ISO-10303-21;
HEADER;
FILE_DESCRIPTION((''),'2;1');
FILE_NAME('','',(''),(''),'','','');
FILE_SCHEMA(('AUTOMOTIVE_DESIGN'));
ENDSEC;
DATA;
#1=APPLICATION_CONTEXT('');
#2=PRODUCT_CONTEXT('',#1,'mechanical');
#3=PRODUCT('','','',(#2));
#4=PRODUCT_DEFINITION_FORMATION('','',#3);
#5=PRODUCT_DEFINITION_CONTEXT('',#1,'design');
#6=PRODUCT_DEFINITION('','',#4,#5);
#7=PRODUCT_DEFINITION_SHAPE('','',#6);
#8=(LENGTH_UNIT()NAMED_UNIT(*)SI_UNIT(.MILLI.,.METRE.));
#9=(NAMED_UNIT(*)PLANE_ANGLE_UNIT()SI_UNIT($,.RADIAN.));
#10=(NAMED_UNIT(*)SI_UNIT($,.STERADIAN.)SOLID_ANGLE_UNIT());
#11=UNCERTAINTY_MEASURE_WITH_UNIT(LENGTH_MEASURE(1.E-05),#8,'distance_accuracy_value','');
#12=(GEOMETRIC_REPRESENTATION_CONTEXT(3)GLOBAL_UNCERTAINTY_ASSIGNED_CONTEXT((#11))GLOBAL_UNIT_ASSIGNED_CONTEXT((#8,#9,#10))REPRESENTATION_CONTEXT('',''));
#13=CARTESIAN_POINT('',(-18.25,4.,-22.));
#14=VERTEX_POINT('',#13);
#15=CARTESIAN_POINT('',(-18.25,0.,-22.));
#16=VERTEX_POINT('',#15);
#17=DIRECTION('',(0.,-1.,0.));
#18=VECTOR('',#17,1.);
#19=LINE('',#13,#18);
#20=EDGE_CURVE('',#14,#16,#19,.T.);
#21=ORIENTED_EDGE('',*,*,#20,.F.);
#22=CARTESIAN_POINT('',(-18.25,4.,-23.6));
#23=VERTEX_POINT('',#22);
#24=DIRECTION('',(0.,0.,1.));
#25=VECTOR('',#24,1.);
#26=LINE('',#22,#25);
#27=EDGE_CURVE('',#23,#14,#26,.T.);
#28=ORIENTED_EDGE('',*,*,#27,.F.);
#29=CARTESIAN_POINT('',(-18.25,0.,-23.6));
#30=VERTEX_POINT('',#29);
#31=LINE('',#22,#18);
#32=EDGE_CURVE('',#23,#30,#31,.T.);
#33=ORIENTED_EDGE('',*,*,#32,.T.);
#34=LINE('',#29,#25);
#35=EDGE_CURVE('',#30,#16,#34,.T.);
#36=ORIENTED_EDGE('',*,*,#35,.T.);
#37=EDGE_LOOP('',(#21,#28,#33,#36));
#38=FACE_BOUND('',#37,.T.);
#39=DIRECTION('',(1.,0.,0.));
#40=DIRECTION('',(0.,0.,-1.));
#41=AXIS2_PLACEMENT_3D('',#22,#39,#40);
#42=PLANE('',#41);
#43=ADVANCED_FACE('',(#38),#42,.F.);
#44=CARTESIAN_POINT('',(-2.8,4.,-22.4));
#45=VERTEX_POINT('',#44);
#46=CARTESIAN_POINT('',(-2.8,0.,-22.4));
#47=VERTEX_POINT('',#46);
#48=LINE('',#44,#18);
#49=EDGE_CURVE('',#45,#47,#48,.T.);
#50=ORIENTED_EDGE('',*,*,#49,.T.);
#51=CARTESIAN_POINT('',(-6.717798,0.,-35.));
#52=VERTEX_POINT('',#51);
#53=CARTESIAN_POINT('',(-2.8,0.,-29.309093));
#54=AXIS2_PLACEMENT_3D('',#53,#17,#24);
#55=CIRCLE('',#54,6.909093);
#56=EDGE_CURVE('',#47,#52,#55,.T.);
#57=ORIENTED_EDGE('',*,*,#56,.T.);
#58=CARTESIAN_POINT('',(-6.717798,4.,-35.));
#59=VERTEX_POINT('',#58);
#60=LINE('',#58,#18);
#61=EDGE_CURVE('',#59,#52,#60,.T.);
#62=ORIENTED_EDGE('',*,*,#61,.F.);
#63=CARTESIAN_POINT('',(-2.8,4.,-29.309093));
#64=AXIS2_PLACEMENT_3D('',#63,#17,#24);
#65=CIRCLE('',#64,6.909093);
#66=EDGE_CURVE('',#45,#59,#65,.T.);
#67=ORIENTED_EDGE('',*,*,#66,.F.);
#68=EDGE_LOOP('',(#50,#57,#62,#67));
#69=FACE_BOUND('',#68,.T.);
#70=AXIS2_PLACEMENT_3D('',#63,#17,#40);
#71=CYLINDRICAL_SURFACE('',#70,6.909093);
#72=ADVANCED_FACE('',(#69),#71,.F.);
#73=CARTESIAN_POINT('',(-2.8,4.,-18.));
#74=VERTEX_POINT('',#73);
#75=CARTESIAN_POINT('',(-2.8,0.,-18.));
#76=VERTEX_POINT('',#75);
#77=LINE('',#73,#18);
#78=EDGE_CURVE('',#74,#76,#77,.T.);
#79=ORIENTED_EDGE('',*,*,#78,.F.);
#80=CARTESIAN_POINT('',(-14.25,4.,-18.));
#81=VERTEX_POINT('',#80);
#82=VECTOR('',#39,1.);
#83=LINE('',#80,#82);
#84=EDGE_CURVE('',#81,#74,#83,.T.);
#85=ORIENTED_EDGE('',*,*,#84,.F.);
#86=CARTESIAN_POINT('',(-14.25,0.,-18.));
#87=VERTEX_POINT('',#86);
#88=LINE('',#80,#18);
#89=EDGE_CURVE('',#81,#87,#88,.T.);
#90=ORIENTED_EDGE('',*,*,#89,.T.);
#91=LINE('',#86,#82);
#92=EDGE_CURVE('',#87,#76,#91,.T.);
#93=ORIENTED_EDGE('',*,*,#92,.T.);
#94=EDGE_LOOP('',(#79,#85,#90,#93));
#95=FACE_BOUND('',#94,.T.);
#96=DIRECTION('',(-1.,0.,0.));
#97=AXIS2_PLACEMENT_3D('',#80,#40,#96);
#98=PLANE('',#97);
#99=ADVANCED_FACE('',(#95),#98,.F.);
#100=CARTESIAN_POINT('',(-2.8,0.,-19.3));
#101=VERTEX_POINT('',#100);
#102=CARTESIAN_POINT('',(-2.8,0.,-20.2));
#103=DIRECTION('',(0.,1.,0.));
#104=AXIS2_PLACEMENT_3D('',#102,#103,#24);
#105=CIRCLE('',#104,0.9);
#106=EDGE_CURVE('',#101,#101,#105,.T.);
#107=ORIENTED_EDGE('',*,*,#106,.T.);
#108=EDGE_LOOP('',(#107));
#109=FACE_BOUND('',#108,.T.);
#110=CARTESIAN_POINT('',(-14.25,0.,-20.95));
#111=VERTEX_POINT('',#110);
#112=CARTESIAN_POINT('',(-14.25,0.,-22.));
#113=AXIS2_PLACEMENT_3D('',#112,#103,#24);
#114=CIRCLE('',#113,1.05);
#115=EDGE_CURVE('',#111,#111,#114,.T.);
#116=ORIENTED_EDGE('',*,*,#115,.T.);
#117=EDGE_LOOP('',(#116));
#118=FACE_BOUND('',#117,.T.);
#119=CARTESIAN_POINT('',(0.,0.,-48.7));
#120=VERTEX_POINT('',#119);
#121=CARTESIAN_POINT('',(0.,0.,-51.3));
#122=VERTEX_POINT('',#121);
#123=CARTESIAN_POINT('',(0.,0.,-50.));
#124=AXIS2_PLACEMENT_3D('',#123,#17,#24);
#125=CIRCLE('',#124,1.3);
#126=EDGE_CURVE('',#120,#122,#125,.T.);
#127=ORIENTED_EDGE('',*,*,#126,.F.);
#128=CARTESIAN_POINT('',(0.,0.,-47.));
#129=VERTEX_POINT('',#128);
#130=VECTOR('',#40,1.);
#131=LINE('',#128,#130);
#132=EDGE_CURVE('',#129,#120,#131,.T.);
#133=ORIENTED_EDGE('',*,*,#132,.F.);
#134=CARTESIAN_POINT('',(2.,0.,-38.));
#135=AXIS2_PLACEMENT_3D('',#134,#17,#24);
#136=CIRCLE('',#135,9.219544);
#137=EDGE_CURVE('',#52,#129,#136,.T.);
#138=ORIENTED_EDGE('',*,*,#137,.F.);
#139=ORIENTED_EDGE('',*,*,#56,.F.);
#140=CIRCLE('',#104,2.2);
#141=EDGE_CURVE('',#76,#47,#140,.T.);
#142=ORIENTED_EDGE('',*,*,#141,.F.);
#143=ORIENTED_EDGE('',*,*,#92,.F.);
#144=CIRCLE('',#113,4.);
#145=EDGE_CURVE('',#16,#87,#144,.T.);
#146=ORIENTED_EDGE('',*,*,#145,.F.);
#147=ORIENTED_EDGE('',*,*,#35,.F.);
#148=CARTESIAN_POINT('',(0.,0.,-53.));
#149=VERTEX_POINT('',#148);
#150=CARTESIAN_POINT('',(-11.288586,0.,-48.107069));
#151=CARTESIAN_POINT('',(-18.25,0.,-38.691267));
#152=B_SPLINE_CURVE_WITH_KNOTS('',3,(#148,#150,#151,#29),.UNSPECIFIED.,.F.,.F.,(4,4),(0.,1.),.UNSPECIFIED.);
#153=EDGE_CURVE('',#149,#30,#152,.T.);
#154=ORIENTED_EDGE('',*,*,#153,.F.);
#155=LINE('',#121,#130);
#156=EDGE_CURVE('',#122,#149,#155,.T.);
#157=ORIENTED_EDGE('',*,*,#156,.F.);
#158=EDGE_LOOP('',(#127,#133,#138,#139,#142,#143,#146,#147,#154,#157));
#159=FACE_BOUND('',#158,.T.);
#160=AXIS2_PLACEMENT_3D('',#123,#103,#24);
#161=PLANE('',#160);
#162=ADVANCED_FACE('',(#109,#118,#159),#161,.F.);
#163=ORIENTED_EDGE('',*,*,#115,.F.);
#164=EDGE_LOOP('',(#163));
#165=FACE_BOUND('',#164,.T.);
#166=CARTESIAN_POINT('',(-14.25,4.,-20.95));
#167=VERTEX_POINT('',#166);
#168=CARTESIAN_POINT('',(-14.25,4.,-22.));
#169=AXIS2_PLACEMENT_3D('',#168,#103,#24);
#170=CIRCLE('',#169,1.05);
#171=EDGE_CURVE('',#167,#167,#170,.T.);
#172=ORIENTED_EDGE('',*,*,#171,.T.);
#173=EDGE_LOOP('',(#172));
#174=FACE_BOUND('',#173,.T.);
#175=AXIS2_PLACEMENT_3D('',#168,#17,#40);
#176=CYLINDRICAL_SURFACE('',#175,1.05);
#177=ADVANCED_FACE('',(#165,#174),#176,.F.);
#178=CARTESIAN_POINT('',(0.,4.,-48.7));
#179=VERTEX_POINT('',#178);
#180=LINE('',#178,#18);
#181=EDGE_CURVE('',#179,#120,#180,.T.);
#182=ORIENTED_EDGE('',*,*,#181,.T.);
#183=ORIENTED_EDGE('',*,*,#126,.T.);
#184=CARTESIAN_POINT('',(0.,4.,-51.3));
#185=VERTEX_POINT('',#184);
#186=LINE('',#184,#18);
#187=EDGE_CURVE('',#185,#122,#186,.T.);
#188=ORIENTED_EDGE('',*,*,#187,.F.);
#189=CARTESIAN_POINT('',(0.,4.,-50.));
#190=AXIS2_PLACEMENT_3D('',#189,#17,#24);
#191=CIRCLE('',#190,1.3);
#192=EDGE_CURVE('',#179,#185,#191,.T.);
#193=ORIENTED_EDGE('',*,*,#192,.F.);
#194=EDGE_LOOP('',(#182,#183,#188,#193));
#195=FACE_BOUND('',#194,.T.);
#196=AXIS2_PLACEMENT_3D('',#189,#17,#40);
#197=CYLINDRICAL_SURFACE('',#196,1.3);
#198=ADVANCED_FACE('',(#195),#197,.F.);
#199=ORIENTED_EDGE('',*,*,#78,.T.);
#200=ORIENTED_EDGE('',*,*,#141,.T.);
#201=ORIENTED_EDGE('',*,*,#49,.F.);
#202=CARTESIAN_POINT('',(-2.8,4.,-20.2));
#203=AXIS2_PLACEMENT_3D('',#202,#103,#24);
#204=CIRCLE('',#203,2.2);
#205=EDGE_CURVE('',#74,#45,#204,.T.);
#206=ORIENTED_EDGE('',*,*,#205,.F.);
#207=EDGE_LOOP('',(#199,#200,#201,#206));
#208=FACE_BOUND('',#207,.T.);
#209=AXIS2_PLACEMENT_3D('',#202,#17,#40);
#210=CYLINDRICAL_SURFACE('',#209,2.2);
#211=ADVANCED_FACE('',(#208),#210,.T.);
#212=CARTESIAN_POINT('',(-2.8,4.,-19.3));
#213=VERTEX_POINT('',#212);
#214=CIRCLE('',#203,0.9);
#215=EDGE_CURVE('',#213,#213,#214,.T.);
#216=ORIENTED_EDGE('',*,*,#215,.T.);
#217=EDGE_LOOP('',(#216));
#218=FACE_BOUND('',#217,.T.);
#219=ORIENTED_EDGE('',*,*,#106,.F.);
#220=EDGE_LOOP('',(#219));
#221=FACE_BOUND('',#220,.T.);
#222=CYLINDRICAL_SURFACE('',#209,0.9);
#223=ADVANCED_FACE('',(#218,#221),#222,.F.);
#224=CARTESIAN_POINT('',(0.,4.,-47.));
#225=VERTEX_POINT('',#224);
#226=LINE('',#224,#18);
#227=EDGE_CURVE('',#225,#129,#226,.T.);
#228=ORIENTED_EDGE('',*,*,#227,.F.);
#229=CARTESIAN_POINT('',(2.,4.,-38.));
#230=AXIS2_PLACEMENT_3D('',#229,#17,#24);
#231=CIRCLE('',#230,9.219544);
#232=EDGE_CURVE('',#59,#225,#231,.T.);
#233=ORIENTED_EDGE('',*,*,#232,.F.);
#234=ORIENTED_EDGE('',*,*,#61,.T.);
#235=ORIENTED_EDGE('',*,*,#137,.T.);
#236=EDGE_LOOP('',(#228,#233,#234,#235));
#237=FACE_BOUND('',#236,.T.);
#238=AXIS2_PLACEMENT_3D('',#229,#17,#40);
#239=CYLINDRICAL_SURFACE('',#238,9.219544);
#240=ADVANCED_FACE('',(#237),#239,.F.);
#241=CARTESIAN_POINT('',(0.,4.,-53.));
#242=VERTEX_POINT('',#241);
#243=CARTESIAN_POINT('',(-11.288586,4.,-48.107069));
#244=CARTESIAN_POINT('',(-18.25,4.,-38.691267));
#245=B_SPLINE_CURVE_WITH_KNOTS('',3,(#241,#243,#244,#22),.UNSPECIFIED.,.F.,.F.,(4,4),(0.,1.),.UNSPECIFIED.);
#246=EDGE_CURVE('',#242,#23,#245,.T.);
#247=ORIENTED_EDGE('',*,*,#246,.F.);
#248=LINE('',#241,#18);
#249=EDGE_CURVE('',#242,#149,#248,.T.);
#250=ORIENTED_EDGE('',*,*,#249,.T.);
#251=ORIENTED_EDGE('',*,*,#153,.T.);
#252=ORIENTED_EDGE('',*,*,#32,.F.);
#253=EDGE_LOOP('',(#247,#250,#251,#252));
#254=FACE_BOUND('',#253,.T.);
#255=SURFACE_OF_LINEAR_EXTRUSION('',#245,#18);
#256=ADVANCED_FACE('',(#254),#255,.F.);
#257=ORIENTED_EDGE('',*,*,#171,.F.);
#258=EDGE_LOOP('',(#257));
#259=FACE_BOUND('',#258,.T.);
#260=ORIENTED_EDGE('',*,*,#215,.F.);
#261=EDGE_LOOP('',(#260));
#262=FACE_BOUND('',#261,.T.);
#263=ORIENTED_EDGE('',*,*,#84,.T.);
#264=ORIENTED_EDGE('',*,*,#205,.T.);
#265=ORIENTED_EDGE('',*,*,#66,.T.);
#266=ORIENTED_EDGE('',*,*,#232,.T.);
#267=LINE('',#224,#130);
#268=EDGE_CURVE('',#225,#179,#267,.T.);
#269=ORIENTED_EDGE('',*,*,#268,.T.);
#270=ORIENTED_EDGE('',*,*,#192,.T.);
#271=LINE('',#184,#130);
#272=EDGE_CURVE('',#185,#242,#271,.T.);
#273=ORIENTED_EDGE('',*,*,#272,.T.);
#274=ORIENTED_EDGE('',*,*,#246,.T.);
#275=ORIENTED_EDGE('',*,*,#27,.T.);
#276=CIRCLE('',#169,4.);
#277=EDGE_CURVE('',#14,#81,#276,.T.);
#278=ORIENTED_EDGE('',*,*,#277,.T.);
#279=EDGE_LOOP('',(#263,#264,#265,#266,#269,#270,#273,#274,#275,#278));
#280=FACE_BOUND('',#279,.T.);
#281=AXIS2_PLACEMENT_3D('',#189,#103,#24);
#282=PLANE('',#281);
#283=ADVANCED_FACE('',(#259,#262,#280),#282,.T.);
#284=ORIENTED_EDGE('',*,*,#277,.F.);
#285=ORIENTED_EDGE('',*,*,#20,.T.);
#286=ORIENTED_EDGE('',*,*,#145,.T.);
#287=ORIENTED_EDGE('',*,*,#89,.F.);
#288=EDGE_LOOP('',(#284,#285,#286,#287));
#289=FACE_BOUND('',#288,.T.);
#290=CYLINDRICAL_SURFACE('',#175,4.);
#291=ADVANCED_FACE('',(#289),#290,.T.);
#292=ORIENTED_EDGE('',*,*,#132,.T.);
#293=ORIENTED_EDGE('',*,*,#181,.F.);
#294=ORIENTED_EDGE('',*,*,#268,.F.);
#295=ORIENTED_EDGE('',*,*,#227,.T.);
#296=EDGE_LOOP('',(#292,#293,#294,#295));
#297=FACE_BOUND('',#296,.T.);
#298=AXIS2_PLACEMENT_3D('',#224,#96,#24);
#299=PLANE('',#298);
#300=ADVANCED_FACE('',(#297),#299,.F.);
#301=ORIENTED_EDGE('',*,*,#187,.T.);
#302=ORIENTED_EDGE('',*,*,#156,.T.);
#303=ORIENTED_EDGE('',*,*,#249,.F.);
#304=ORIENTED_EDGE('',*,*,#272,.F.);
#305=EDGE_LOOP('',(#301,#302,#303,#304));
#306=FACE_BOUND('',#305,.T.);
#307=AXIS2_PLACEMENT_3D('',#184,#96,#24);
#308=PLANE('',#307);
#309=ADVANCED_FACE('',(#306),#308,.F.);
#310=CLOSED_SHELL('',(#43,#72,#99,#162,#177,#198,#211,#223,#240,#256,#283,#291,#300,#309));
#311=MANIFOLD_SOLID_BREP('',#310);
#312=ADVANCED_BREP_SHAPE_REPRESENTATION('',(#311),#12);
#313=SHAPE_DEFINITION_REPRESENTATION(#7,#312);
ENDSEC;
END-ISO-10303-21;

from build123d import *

# Parameters (mm, degrees)
SKETCH1_R           = 0.9
SKETCH1_R_2         = 1.05
BOSS_EXTRUDE2_DEPTH = 4


with BuildPart() as part:
    # Sketch1 → Boss-Extrude2 (new body)
    with BuildSketch(Plane(origin=(0, 0, 0), x_dir=(1, 0, 0), z_dir=(0, 1, 0))):
        with BuildLine():
            Line((0, 51.3), (0, 53))
            add(Edge.make_bspline(
                [(0, 53), (-11.288586004, 48.107069446), (-18.25, 38.69126661), (-18.25, 23.6)],
                knots=[0, 0, 0, 0, 1, 1, 1, 1], degree=3))
            Line((-18.25, 23.6), (-18.25, 22))
            ThreePointArc((-18.25, 22), (-17.078427125, 19.171572875), (-14.25, 18))
            Line((-14.25, 18), (-2.8, 18))
            ThreePointArc((-2.8, 18), (-0.6, 20.2), (-2.8, 22.4))
            ThreePointArc((-2.8, 22.4), (-9.397521131, 27.257683793), (-6.717797887, 35))
            ThreePointArc((-6.717797887, 35), (-6.044737279, 42.503576591), (0, 47))
            Line((0, 47), (0, 48.7))
            ThreePointArc((0, 48.7), (-1.3, 50), (0, 51.3))
        make_face()
        with Locations(Location((-2.8, 20.2, 0), (0, 0, 270))):
            Circle(SKETCH1_R, mode=Mode.SUBTRACT)
        with Locations(Location((-14.25, 22, 0), (0, 0, 270))):
            Circle(SKETCH1_R_2, mode=Mode.SUBTRACT)
    extrude(amount=BOSS_EXTRUDE2_DEPTH)


solid = part.part
